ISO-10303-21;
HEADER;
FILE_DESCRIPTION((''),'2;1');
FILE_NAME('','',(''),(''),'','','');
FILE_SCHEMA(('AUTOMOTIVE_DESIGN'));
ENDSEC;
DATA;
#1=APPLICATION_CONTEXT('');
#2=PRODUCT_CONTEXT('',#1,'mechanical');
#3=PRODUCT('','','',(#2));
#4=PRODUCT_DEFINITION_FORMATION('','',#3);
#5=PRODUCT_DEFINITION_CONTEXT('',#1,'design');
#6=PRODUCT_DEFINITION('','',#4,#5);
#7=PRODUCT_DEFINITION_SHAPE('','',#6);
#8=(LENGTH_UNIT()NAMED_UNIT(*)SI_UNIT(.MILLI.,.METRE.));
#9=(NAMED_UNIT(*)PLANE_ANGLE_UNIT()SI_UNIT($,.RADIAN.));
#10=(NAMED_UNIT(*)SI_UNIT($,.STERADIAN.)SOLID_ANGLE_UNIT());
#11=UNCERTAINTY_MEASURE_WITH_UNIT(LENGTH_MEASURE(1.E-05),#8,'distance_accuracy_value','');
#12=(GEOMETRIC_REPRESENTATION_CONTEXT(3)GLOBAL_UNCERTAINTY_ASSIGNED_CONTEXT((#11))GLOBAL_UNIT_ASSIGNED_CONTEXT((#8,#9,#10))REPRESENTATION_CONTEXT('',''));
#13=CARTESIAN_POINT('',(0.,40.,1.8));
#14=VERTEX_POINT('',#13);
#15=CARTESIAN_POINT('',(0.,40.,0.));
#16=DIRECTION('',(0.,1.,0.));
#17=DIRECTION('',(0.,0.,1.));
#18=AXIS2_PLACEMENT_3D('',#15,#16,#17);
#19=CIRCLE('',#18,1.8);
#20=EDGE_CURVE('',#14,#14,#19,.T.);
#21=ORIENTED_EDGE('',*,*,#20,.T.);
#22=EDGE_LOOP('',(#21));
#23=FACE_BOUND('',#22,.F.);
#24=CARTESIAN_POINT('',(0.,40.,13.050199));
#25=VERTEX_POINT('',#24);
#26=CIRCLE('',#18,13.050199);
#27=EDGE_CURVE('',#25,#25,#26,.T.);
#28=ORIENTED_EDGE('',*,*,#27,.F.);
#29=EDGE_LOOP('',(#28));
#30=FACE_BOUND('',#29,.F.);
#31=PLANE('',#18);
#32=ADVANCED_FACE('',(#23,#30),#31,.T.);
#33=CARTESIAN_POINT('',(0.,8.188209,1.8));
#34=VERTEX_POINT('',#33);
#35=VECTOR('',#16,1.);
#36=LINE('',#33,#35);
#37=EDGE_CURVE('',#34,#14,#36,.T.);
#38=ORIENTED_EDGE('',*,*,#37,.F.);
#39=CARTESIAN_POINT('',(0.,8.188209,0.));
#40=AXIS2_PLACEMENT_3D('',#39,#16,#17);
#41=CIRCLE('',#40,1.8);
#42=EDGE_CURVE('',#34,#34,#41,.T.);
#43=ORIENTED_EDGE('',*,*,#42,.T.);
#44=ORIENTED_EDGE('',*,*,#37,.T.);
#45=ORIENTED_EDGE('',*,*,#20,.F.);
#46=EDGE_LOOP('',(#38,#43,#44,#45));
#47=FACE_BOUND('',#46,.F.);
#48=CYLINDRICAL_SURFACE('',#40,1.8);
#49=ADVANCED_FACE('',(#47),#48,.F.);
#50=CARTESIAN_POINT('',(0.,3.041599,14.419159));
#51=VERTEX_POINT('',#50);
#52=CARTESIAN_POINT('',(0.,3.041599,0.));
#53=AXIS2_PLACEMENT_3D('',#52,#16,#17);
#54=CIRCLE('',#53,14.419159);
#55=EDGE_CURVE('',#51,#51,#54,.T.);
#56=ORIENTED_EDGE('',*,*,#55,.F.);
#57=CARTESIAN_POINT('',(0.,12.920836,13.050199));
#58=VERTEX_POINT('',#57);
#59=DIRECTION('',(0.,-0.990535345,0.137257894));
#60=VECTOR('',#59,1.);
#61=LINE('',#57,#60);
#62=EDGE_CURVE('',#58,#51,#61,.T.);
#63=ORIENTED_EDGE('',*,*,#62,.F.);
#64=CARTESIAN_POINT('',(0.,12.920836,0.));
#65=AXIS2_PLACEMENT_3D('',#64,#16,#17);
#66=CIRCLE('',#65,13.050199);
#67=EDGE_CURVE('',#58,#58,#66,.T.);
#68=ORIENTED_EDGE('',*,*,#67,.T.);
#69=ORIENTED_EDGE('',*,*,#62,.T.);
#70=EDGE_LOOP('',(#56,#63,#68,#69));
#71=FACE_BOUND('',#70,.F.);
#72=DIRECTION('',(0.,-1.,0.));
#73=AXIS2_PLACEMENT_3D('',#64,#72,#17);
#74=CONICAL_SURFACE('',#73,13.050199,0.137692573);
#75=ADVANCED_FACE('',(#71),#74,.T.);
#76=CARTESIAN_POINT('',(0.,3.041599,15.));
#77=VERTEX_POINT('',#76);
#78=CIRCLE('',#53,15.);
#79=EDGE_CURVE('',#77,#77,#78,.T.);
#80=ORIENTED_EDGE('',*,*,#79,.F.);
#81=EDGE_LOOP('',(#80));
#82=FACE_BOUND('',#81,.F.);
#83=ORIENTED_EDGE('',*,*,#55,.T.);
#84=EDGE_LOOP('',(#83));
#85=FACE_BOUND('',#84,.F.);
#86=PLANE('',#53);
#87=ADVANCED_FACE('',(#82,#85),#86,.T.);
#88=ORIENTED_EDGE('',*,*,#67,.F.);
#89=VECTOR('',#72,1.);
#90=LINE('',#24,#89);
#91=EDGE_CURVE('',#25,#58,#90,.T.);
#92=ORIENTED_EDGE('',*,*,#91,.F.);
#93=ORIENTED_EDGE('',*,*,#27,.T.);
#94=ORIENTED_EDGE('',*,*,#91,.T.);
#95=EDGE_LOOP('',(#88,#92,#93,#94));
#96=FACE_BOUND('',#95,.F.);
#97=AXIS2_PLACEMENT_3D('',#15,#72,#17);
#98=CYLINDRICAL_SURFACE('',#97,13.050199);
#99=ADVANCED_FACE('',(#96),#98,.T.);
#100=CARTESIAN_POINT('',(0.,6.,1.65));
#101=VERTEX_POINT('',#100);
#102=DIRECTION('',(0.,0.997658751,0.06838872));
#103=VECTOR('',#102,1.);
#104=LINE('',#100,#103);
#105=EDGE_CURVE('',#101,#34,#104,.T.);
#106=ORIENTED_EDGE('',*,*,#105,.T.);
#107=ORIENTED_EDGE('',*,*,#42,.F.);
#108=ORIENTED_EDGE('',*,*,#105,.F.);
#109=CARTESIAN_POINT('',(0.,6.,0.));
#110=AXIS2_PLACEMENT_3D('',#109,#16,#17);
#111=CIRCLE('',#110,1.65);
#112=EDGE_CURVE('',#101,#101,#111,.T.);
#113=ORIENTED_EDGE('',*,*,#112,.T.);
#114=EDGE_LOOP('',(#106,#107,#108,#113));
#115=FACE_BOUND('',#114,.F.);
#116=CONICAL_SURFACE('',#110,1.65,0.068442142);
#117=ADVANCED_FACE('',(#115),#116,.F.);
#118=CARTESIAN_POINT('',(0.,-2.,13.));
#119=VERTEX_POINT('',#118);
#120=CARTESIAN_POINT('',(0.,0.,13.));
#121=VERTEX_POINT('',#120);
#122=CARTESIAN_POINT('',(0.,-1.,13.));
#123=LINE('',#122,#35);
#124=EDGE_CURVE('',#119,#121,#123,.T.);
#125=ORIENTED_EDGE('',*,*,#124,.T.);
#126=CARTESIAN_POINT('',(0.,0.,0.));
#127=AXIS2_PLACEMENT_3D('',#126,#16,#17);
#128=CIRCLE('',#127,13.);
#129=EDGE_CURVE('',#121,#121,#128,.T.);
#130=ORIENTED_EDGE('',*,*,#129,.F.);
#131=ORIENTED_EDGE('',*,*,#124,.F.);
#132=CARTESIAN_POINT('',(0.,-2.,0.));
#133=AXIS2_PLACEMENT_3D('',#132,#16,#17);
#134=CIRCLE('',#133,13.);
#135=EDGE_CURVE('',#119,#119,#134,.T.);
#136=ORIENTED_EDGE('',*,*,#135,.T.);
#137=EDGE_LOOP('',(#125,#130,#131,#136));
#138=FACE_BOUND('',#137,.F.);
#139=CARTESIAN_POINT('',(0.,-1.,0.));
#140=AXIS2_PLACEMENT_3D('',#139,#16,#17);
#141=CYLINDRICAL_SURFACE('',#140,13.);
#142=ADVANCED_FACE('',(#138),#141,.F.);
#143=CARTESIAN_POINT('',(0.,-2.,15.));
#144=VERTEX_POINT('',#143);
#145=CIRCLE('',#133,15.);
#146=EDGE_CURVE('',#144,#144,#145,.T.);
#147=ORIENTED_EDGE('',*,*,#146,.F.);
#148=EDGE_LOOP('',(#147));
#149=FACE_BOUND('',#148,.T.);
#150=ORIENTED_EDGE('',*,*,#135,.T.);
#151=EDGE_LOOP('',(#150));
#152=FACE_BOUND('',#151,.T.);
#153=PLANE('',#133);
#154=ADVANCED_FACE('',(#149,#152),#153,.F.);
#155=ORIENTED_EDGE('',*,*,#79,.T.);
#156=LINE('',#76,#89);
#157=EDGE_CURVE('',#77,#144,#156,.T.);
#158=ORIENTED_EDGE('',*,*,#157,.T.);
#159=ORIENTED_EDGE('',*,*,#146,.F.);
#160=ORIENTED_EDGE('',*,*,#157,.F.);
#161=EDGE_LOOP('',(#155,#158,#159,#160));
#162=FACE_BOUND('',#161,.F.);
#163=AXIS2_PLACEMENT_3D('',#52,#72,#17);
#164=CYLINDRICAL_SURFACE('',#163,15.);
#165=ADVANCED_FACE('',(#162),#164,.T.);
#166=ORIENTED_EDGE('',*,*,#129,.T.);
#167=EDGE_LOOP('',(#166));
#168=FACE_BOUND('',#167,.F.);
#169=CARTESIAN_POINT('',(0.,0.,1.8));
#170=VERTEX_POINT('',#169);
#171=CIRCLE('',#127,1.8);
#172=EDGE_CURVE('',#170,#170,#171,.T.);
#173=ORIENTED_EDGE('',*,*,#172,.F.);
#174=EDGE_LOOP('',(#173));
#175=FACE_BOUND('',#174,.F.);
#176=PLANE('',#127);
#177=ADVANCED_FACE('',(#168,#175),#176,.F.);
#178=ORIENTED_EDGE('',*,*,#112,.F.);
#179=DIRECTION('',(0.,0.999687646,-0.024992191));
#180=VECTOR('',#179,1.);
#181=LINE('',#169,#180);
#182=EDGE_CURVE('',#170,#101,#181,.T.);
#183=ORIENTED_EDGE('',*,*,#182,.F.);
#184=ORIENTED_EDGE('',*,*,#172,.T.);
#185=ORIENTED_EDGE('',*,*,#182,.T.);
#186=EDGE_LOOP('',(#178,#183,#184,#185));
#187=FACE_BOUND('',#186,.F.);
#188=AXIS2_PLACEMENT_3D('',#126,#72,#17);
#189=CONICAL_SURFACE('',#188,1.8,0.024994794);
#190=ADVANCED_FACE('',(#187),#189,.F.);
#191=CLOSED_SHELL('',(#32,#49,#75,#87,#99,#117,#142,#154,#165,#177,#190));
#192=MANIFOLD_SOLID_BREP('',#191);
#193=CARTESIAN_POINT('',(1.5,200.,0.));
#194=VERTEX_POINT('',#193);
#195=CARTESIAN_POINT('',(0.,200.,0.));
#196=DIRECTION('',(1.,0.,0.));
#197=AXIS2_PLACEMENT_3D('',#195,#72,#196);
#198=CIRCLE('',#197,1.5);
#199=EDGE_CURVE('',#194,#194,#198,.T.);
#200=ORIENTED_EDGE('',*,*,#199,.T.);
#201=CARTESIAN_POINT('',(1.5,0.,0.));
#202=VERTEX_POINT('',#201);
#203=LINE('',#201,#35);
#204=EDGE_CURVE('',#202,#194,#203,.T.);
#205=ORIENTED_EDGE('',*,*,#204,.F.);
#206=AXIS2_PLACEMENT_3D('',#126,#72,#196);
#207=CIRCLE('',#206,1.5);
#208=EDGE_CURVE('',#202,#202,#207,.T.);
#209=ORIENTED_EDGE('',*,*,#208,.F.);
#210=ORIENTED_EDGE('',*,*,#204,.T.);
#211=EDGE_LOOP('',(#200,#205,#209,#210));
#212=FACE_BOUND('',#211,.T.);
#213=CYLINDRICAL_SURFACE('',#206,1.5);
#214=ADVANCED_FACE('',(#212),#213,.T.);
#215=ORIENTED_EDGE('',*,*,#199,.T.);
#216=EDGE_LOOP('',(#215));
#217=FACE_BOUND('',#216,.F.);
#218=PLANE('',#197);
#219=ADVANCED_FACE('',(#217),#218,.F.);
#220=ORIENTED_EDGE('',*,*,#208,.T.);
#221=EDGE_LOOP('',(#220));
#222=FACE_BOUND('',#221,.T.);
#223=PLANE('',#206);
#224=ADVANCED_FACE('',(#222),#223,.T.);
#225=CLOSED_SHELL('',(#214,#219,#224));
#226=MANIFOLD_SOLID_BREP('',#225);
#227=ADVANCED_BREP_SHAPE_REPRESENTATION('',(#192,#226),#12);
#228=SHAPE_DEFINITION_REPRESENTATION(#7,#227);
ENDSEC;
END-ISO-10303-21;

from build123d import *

# Parameters (mm, degrees)
F1_W     = 2
F1_H     = 2
F3_R     = 1.5
F4_DEPTH = 200


with BuildPart() as f2:
    # F1 (on Right) → F2 (revolve)
    with BuildSketch(Plane.YZ):
        with Locations((-1, 14)):
            Rectangle(F1_W, F1_H)
        Polygon((0, 13), (0, 1.8), (6, 1.65), (8.188209, 1.8), (40, 1.8), (40, 13.050199), (12.920836, 13.050199), (3.041599, 14.419159), (3.041599, 15), (0, 15), align=None)
    revolve(axis=Axis((0, 23, 0), (0, 1, 0)))


with BuildPart() as f4:
    # F3 (on Front) → F4 (new body)
    with BuildSketch(Plane.XZ):
        Circle(F3_R)
    extrude(amount=-F4_DEPTH)


solid = Compound([f2.part, f4.part])
